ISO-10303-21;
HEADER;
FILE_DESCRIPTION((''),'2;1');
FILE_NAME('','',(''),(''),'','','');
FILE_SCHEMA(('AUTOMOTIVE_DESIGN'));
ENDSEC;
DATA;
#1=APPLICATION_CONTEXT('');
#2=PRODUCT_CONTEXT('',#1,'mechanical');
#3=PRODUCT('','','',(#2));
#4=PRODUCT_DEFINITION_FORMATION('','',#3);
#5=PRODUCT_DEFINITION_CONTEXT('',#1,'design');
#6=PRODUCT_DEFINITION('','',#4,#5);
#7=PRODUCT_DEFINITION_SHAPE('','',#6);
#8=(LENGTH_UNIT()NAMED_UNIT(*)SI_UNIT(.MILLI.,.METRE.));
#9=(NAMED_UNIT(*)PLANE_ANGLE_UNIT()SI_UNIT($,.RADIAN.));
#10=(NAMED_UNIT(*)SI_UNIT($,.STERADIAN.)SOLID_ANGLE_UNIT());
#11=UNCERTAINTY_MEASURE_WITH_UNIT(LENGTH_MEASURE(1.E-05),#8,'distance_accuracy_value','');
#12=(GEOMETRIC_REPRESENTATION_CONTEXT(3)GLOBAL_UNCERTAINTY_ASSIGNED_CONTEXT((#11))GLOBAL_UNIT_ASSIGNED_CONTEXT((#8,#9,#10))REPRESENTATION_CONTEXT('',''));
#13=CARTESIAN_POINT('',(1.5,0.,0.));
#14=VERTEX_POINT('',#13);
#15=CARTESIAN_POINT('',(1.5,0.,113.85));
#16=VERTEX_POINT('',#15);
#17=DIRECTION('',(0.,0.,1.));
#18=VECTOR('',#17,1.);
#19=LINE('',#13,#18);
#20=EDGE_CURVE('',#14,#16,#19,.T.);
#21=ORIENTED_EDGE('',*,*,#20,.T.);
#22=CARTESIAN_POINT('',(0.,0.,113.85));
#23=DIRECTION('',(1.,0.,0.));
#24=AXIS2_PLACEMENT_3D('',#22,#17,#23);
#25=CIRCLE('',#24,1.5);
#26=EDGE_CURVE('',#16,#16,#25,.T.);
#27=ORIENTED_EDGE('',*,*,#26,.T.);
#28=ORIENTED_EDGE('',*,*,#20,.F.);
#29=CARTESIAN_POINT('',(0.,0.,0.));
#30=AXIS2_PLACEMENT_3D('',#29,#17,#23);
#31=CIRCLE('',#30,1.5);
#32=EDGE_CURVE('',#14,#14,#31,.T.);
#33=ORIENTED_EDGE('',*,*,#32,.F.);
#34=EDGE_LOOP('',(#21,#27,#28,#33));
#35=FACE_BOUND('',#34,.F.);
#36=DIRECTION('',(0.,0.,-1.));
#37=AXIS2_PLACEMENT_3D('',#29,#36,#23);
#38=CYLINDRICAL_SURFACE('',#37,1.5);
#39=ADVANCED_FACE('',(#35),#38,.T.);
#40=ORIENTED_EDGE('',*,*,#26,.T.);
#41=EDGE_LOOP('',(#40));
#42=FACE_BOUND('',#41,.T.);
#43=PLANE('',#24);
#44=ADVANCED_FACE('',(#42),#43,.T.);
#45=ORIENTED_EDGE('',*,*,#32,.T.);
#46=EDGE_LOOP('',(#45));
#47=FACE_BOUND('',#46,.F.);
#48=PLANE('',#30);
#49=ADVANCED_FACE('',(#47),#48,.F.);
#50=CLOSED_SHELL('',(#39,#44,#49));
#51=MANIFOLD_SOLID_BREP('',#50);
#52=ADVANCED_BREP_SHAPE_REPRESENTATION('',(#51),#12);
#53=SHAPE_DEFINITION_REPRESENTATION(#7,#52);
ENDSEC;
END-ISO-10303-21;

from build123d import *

# Parameters (mm, degrees)
SKETCH_R  = 1.5
PAD_DEPTH = 113.85


with BuildPart() as part:
    # Sketch → Pad (new body)
    with BuildSketch(Plane.XY):
        Circle(SKETCH_R)
    extrude(amount=PAD_DEPTH)


solid = part.part
